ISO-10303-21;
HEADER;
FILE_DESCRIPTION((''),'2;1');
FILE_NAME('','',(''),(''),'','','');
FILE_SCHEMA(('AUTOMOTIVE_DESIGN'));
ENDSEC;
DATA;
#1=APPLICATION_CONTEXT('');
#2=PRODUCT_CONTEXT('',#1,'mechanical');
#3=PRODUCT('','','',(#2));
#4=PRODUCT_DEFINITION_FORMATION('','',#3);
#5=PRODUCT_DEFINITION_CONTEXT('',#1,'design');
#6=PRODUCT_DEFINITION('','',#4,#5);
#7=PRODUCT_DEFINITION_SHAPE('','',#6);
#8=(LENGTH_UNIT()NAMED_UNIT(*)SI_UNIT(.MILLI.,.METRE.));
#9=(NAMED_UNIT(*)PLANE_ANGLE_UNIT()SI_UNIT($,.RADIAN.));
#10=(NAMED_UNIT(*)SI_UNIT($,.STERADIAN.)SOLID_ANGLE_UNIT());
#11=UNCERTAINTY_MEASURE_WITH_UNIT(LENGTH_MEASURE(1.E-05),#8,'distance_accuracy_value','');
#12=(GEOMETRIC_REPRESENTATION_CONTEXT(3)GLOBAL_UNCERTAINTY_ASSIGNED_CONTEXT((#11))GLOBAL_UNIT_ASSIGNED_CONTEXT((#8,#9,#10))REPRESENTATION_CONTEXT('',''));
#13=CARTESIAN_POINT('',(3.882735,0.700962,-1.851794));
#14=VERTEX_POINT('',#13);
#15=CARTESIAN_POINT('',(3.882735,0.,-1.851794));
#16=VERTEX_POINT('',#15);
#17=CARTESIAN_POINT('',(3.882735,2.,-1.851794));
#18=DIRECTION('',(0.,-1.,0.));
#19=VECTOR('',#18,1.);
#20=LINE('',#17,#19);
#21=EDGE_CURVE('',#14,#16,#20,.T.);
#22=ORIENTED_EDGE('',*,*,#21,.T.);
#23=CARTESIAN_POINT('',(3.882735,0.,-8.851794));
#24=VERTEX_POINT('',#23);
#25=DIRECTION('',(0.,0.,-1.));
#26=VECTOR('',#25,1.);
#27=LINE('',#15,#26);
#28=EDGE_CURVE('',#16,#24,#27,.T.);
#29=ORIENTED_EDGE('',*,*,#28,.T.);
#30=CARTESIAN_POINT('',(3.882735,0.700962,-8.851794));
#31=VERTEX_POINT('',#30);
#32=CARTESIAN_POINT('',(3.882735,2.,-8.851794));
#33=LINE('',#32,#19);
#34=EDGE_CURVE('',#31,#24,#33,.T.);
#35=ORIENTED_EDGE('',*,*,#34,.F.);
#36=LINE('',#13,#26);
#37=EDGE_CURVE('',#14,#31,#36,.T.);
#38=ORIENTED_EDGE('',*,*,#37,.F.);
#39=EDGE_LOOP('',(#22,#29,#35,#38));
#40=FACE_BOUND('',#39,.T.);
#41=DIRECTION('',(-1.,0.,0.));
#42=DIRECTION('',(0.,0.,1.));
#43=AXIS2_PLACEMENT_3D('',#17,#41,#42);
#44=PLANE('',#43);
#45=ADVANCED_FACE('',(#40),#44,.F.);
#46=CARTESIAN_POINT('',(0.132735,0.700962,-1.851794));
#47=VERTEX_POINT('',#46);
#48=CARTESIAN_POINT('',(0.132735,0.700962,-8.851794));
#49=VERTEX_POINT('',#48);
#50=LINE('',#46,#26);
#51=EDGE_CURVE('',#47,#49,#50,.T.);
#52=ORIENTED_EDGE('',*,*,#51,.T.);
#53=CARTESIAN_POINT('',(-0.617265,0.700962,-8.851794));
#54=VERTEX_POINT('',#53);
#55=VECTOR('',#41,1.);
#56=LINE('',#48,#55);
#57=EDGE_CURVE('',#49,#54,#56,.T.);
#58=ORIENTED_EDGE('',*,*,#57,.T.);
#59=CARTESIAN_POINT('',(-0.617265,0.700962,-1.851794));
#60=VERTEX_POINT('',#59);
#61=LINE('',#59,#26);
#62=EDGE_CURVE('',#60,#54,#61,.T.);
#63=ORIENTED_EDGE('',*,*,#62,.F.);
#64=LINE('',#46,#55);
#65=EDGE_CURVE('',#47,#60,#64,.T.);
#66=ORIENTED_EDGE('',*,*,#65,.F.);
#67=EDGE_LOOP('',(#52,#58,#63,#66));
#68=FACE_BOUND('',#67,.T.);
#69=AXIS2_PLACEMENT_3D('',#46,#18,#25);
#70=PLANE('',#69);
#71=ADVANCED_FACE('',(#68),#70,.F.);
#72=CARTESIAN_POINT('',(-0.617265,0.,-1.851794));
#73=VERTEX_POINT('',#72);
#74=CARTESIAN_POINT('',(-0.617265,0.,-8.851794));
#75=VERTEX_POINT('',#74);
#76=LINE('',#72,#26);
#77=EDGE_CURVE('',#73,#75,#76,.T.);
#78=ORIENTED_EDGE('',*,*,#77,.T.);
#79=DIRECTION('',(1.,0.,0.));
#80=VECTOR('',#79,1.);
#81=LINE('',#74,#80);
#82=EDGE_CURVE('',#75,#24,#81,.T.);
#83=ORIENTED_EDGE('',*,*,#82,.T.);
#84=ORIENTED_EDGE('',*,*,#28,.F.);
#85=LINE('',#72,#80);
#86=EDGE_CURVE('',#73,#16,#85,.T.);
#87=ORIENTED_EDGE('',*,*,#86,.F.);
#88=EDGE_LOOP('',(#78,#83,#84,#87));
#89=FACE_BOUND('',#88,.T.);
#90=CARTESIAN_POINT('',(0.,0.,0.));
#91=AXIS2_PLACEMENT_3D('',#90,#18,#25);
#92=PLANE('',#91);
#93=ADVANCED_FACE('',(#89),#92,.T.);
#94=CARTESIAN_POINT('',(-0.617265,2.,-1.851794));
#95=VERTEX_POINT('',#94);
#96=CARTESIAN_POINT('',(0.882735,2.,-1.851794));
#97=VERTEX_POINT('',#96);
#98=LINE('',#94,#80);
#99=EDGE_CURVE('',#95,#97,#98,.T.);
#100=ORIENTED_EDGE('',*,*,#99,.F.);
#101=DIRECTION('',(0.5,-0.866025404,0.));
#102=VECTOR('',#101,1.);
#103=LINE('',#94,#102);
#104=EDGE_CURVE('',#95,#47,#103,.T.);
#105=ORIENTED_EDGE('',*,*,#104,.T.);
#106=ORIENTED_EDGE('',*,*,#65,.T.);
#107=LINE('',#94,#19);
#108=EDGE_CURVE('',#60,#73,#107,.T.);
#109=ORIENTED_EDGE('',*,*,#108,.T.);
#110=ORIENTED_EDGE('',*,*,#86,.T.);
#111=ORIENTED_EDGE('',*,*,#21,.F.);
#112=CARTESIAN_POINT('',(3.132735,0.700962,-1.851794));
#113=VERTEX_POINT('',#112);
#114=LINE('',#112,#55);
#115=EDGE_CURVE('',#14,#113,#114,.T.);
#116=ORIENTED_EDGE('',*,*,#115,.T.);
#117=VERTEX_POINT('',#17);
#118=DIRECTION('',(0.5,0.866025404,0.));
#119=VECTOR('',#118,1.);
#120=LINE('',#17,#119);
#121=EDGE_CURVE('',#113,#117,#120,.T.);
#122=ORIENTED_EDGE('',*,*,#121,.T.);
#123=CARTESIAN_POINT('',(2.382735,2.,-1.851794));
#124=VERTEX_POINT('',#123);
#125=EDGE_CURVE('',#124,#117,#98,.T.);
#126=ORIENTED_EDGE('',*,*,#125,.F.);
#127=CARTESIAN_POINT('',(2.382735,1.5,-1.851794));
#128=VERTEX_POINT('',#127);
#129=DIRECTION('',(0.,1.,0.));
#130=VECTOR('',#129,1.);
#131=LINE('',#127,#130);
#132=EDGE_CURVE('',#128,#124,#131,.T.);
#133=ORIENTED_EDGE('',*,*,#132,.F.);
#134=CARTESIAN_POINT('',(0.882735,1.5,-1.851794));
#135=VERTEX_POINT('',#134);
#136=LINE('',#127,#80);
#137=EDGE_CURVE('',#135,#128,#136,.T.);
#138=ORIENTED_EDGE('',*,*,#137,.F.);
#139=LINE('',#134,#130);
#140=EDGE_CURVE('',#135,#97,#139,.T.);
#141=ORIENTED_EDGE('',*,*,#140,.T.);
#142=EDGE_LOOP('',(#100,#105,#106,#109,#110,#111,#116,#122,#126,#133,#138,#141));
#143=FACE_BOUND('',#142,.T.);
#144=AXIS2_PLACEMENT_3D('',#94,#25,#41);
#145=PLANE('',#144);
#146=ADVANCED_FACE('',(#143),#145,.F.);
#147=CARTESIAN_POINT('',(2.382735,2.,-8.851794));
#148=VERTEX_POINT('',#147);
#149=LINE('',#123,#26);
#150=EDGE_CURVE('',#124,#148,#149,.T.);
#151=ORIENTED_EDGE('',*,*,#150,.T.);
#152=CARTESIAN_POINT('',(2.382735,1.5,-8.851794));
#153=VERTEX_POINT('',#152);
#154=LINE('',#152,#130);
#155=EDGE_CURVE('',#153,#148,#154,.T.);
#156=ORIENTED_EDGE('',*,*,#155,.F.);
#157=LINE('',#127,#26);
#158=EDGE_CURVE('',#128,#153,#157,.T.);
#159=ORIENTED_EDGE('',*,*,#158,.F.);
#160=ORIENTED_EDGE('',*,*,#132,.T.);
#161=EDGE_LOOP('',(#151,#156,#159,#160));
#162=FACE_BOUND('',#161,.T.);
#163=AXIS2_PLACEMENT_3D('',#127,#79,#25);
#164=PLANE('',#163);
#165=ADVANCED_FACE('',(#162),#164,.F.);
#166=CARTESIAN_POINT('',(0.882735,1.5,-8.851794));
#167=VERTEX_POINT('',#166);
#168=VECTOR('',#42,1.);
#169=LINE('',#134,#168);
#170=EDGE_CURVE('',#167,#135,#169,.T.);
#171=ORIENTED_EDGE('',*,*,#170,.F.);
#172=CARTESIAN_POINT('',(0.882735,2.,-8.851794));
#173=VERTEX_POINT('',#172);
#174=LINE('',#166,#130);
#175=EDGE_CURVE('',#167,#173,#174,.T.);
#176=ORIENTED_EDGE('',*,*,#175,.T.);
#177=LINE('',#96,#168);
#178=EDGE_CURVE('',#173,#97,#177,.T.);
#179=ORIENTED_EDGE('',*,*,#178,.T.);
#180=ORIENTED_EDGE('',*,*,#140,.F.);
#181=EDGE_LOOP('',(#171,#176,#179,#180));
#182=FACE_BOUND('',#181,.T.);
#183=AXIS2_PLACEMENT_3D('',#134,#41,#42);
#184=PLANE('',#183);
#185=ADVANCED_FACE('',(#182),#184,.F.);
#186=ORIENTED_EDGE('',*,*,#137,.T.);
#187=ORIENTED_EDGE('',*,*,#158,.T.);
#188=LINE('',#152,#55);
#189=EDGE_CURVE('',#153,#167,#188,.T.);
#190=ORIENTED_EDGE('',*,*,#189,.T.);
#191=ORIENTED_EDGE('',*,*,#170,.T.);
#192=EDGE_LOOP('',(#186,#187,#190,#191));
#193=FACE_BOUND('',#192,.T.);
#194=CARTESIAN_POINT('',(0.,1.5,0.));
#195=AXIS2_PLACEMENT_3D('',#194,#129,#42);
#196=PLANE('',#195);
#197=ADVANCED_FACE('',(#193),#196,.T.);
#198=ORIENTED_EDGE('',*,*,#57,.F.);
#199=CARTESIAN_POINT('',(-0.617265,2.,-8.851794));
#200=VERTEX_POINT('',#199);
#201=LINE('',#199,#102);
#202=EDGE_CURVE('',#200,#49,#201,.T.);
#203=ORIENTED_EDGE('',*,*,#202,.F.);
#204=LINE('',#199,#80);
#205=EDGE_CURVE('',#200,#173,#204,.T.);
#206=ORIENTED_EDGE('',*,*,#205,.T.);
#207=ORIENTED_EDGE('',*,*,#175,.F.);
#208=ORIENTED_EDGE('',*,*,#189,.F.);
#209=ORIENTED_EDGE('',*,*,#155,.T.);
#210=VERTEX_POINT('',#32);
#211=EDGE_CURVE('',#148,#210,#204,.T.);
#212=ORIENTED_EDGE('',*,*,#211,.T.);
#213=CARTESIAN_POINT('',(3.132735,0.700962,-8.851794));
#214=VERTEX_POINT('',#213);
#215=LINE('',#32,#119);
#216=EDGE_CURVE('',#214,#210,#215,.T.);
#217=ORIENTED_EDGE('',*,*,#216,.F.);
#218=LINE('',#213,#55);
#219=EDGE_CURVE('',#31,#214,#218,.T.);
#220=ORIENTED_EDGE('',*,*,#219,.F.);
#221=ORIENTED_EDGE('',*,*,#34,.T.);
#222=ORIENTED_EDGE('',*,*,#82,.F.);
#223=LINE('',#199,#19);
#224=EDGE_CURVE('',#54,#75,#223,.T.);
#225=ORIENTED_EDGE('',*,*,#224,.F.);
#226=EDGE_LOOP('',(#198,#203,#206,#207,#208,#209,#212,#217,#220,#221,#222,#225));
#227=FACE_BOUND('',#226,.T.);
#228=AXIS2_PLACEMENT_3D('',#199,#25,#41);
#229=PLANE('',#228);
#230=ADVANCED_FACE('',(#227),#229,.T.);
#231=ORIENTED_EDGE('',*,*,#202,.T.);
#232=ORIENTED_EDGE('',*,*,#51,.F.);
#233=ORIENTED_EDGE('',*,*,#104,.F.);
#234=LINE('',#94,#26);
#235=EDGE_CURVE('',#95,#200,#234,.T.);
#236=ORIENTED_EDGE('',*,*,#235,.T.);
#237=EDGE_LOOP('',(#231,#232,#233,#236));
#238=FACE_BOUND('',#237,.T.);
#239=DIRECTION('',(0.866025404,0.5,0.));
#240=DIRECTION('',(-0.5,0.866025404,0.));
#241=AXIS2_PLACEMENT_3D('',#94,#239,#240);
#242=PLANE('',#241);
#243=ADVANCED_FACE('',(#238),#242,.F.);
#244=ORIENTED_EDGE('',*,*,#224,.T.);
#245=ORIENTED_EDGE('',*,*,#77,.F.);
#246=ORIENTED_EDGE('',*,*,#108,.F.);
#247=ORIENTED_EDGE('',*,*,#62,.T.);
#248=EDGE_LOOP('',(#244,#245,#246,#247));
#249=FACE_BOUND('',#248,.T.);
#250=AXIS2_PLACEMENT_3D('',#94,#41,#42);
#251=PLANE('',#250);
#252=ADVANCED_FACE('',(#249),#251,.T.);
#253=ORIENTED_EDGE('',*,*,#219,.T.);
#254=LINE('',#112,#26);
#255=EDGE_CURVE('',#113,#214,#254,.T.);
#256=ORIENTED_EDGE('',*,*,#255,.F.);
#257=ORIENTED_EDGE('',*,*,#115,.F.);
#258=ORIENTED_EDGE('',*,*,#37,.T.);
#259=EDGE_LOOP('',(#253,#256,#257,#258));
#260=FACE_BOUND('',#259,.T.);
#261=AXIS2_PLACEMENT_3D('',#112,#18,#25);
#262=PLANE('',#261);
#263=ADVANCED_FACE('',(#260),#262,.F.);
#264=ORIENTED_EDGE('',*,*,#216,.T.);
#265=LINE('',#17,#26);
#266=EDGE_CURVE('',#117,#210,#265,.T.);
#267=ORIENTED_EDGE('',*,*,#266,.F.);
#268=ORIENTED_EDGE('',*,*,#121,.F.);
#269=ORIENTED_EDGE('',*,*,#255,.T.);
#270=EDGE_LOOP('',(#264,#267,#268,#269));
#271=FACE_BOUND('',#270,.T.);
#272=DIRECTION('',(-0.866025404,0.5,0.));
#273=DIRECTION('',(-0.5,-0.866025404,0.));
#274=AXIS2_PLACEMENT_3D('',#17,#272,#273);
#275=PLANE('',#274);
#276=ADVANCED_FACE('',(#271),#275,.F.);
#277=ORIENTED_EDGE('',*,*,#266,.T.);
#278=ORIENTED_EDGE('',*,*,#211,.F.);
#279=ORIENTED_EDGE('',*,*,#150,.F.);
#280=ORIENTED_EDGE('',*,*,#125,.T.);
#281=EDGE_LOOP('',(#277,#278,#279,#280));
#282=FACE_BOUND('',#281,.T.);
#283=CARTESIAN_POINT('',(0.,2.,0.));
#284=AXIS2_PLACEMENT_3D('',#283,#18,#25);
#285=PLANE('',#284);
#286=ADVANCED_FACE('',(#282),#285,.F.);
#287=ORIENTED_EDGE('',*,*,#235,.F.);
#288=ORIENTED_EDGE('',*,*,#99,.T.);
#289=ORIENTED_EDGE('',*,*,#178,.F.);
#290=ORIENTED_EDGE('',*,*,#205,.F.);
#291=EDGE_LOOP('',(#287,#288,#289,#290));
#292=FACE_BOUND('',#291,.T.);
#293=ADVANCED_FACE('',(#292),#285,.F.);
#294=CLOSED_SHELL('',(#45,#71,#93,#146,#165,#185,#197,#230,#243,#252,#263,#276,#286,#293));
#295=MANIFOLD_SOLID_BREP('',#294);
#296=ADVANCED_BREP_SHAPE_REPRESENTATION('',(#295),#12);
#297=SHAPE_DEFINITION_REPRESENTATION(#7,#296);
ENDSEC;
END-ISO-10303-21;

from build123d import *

# Parameters (mm, degrees)
SKETCH1_W           = 4.5
SKETCH1_H           = 7
BOSS_EXTRUDE1_DEPTH = 2
SKETCH2_W           = 1.5
SKETCH2_H           = 7
CUT_EXTRUDE3_DEPTH  = 0.5
CUT_EXTRUDE4_DEPTH  = 9.250795932


with BuildPart() as part:
    # Sketch1 → Boss-Extrude1 (new body)
    with BuildSketch(Plane(origin=(0, 0, 0), x_dir=(1, 0, 0), z_dir=(0, 1, 0))):
        with Locations((1.632735313, 5.351794061)):
            Rectangle(SKETCH1_W, SKETCH1_H)
    extrude(amount=BOSS_EXTRUDE1_DEPTH)

    # Sketch2 → Cut-Extrude3 (cut)
    with BuildSketch(Plane(origin=(0, 2, 0), x_dir=(1, 0, 0), z_dir=(0, 1, 0))):
        with Locations((1.632735313, 5.351794061)):
            Rectangle(SKETCH2_W, SKETCH2_H)
    extrude(amount=-CUT_EXTRUDE3_DEPTH, mode=Mode.SUBTRACT)

    # Sketch3 → Cut-Extrude4 (cut, through all)
    with BuildSketch(Plane(origin=(0, 0, -8.851794061), x_dir=(-1, 0, 0), z_dir=(0, 0, -1))):
        Polygon((0.617264687, 2), (-0.132735313, 0.700961894), (0.617264687, 0.700961894), align=None)
        Polygon((-3.882735313, 2), (-3.132735313, 0.700961894), (-3.882735313, 0.700961894), align=None)
    extrude(amount=-CUT_EXTRUDE4_DEPTH, mode=Mode.SUBTRACT)


solid = part.part
